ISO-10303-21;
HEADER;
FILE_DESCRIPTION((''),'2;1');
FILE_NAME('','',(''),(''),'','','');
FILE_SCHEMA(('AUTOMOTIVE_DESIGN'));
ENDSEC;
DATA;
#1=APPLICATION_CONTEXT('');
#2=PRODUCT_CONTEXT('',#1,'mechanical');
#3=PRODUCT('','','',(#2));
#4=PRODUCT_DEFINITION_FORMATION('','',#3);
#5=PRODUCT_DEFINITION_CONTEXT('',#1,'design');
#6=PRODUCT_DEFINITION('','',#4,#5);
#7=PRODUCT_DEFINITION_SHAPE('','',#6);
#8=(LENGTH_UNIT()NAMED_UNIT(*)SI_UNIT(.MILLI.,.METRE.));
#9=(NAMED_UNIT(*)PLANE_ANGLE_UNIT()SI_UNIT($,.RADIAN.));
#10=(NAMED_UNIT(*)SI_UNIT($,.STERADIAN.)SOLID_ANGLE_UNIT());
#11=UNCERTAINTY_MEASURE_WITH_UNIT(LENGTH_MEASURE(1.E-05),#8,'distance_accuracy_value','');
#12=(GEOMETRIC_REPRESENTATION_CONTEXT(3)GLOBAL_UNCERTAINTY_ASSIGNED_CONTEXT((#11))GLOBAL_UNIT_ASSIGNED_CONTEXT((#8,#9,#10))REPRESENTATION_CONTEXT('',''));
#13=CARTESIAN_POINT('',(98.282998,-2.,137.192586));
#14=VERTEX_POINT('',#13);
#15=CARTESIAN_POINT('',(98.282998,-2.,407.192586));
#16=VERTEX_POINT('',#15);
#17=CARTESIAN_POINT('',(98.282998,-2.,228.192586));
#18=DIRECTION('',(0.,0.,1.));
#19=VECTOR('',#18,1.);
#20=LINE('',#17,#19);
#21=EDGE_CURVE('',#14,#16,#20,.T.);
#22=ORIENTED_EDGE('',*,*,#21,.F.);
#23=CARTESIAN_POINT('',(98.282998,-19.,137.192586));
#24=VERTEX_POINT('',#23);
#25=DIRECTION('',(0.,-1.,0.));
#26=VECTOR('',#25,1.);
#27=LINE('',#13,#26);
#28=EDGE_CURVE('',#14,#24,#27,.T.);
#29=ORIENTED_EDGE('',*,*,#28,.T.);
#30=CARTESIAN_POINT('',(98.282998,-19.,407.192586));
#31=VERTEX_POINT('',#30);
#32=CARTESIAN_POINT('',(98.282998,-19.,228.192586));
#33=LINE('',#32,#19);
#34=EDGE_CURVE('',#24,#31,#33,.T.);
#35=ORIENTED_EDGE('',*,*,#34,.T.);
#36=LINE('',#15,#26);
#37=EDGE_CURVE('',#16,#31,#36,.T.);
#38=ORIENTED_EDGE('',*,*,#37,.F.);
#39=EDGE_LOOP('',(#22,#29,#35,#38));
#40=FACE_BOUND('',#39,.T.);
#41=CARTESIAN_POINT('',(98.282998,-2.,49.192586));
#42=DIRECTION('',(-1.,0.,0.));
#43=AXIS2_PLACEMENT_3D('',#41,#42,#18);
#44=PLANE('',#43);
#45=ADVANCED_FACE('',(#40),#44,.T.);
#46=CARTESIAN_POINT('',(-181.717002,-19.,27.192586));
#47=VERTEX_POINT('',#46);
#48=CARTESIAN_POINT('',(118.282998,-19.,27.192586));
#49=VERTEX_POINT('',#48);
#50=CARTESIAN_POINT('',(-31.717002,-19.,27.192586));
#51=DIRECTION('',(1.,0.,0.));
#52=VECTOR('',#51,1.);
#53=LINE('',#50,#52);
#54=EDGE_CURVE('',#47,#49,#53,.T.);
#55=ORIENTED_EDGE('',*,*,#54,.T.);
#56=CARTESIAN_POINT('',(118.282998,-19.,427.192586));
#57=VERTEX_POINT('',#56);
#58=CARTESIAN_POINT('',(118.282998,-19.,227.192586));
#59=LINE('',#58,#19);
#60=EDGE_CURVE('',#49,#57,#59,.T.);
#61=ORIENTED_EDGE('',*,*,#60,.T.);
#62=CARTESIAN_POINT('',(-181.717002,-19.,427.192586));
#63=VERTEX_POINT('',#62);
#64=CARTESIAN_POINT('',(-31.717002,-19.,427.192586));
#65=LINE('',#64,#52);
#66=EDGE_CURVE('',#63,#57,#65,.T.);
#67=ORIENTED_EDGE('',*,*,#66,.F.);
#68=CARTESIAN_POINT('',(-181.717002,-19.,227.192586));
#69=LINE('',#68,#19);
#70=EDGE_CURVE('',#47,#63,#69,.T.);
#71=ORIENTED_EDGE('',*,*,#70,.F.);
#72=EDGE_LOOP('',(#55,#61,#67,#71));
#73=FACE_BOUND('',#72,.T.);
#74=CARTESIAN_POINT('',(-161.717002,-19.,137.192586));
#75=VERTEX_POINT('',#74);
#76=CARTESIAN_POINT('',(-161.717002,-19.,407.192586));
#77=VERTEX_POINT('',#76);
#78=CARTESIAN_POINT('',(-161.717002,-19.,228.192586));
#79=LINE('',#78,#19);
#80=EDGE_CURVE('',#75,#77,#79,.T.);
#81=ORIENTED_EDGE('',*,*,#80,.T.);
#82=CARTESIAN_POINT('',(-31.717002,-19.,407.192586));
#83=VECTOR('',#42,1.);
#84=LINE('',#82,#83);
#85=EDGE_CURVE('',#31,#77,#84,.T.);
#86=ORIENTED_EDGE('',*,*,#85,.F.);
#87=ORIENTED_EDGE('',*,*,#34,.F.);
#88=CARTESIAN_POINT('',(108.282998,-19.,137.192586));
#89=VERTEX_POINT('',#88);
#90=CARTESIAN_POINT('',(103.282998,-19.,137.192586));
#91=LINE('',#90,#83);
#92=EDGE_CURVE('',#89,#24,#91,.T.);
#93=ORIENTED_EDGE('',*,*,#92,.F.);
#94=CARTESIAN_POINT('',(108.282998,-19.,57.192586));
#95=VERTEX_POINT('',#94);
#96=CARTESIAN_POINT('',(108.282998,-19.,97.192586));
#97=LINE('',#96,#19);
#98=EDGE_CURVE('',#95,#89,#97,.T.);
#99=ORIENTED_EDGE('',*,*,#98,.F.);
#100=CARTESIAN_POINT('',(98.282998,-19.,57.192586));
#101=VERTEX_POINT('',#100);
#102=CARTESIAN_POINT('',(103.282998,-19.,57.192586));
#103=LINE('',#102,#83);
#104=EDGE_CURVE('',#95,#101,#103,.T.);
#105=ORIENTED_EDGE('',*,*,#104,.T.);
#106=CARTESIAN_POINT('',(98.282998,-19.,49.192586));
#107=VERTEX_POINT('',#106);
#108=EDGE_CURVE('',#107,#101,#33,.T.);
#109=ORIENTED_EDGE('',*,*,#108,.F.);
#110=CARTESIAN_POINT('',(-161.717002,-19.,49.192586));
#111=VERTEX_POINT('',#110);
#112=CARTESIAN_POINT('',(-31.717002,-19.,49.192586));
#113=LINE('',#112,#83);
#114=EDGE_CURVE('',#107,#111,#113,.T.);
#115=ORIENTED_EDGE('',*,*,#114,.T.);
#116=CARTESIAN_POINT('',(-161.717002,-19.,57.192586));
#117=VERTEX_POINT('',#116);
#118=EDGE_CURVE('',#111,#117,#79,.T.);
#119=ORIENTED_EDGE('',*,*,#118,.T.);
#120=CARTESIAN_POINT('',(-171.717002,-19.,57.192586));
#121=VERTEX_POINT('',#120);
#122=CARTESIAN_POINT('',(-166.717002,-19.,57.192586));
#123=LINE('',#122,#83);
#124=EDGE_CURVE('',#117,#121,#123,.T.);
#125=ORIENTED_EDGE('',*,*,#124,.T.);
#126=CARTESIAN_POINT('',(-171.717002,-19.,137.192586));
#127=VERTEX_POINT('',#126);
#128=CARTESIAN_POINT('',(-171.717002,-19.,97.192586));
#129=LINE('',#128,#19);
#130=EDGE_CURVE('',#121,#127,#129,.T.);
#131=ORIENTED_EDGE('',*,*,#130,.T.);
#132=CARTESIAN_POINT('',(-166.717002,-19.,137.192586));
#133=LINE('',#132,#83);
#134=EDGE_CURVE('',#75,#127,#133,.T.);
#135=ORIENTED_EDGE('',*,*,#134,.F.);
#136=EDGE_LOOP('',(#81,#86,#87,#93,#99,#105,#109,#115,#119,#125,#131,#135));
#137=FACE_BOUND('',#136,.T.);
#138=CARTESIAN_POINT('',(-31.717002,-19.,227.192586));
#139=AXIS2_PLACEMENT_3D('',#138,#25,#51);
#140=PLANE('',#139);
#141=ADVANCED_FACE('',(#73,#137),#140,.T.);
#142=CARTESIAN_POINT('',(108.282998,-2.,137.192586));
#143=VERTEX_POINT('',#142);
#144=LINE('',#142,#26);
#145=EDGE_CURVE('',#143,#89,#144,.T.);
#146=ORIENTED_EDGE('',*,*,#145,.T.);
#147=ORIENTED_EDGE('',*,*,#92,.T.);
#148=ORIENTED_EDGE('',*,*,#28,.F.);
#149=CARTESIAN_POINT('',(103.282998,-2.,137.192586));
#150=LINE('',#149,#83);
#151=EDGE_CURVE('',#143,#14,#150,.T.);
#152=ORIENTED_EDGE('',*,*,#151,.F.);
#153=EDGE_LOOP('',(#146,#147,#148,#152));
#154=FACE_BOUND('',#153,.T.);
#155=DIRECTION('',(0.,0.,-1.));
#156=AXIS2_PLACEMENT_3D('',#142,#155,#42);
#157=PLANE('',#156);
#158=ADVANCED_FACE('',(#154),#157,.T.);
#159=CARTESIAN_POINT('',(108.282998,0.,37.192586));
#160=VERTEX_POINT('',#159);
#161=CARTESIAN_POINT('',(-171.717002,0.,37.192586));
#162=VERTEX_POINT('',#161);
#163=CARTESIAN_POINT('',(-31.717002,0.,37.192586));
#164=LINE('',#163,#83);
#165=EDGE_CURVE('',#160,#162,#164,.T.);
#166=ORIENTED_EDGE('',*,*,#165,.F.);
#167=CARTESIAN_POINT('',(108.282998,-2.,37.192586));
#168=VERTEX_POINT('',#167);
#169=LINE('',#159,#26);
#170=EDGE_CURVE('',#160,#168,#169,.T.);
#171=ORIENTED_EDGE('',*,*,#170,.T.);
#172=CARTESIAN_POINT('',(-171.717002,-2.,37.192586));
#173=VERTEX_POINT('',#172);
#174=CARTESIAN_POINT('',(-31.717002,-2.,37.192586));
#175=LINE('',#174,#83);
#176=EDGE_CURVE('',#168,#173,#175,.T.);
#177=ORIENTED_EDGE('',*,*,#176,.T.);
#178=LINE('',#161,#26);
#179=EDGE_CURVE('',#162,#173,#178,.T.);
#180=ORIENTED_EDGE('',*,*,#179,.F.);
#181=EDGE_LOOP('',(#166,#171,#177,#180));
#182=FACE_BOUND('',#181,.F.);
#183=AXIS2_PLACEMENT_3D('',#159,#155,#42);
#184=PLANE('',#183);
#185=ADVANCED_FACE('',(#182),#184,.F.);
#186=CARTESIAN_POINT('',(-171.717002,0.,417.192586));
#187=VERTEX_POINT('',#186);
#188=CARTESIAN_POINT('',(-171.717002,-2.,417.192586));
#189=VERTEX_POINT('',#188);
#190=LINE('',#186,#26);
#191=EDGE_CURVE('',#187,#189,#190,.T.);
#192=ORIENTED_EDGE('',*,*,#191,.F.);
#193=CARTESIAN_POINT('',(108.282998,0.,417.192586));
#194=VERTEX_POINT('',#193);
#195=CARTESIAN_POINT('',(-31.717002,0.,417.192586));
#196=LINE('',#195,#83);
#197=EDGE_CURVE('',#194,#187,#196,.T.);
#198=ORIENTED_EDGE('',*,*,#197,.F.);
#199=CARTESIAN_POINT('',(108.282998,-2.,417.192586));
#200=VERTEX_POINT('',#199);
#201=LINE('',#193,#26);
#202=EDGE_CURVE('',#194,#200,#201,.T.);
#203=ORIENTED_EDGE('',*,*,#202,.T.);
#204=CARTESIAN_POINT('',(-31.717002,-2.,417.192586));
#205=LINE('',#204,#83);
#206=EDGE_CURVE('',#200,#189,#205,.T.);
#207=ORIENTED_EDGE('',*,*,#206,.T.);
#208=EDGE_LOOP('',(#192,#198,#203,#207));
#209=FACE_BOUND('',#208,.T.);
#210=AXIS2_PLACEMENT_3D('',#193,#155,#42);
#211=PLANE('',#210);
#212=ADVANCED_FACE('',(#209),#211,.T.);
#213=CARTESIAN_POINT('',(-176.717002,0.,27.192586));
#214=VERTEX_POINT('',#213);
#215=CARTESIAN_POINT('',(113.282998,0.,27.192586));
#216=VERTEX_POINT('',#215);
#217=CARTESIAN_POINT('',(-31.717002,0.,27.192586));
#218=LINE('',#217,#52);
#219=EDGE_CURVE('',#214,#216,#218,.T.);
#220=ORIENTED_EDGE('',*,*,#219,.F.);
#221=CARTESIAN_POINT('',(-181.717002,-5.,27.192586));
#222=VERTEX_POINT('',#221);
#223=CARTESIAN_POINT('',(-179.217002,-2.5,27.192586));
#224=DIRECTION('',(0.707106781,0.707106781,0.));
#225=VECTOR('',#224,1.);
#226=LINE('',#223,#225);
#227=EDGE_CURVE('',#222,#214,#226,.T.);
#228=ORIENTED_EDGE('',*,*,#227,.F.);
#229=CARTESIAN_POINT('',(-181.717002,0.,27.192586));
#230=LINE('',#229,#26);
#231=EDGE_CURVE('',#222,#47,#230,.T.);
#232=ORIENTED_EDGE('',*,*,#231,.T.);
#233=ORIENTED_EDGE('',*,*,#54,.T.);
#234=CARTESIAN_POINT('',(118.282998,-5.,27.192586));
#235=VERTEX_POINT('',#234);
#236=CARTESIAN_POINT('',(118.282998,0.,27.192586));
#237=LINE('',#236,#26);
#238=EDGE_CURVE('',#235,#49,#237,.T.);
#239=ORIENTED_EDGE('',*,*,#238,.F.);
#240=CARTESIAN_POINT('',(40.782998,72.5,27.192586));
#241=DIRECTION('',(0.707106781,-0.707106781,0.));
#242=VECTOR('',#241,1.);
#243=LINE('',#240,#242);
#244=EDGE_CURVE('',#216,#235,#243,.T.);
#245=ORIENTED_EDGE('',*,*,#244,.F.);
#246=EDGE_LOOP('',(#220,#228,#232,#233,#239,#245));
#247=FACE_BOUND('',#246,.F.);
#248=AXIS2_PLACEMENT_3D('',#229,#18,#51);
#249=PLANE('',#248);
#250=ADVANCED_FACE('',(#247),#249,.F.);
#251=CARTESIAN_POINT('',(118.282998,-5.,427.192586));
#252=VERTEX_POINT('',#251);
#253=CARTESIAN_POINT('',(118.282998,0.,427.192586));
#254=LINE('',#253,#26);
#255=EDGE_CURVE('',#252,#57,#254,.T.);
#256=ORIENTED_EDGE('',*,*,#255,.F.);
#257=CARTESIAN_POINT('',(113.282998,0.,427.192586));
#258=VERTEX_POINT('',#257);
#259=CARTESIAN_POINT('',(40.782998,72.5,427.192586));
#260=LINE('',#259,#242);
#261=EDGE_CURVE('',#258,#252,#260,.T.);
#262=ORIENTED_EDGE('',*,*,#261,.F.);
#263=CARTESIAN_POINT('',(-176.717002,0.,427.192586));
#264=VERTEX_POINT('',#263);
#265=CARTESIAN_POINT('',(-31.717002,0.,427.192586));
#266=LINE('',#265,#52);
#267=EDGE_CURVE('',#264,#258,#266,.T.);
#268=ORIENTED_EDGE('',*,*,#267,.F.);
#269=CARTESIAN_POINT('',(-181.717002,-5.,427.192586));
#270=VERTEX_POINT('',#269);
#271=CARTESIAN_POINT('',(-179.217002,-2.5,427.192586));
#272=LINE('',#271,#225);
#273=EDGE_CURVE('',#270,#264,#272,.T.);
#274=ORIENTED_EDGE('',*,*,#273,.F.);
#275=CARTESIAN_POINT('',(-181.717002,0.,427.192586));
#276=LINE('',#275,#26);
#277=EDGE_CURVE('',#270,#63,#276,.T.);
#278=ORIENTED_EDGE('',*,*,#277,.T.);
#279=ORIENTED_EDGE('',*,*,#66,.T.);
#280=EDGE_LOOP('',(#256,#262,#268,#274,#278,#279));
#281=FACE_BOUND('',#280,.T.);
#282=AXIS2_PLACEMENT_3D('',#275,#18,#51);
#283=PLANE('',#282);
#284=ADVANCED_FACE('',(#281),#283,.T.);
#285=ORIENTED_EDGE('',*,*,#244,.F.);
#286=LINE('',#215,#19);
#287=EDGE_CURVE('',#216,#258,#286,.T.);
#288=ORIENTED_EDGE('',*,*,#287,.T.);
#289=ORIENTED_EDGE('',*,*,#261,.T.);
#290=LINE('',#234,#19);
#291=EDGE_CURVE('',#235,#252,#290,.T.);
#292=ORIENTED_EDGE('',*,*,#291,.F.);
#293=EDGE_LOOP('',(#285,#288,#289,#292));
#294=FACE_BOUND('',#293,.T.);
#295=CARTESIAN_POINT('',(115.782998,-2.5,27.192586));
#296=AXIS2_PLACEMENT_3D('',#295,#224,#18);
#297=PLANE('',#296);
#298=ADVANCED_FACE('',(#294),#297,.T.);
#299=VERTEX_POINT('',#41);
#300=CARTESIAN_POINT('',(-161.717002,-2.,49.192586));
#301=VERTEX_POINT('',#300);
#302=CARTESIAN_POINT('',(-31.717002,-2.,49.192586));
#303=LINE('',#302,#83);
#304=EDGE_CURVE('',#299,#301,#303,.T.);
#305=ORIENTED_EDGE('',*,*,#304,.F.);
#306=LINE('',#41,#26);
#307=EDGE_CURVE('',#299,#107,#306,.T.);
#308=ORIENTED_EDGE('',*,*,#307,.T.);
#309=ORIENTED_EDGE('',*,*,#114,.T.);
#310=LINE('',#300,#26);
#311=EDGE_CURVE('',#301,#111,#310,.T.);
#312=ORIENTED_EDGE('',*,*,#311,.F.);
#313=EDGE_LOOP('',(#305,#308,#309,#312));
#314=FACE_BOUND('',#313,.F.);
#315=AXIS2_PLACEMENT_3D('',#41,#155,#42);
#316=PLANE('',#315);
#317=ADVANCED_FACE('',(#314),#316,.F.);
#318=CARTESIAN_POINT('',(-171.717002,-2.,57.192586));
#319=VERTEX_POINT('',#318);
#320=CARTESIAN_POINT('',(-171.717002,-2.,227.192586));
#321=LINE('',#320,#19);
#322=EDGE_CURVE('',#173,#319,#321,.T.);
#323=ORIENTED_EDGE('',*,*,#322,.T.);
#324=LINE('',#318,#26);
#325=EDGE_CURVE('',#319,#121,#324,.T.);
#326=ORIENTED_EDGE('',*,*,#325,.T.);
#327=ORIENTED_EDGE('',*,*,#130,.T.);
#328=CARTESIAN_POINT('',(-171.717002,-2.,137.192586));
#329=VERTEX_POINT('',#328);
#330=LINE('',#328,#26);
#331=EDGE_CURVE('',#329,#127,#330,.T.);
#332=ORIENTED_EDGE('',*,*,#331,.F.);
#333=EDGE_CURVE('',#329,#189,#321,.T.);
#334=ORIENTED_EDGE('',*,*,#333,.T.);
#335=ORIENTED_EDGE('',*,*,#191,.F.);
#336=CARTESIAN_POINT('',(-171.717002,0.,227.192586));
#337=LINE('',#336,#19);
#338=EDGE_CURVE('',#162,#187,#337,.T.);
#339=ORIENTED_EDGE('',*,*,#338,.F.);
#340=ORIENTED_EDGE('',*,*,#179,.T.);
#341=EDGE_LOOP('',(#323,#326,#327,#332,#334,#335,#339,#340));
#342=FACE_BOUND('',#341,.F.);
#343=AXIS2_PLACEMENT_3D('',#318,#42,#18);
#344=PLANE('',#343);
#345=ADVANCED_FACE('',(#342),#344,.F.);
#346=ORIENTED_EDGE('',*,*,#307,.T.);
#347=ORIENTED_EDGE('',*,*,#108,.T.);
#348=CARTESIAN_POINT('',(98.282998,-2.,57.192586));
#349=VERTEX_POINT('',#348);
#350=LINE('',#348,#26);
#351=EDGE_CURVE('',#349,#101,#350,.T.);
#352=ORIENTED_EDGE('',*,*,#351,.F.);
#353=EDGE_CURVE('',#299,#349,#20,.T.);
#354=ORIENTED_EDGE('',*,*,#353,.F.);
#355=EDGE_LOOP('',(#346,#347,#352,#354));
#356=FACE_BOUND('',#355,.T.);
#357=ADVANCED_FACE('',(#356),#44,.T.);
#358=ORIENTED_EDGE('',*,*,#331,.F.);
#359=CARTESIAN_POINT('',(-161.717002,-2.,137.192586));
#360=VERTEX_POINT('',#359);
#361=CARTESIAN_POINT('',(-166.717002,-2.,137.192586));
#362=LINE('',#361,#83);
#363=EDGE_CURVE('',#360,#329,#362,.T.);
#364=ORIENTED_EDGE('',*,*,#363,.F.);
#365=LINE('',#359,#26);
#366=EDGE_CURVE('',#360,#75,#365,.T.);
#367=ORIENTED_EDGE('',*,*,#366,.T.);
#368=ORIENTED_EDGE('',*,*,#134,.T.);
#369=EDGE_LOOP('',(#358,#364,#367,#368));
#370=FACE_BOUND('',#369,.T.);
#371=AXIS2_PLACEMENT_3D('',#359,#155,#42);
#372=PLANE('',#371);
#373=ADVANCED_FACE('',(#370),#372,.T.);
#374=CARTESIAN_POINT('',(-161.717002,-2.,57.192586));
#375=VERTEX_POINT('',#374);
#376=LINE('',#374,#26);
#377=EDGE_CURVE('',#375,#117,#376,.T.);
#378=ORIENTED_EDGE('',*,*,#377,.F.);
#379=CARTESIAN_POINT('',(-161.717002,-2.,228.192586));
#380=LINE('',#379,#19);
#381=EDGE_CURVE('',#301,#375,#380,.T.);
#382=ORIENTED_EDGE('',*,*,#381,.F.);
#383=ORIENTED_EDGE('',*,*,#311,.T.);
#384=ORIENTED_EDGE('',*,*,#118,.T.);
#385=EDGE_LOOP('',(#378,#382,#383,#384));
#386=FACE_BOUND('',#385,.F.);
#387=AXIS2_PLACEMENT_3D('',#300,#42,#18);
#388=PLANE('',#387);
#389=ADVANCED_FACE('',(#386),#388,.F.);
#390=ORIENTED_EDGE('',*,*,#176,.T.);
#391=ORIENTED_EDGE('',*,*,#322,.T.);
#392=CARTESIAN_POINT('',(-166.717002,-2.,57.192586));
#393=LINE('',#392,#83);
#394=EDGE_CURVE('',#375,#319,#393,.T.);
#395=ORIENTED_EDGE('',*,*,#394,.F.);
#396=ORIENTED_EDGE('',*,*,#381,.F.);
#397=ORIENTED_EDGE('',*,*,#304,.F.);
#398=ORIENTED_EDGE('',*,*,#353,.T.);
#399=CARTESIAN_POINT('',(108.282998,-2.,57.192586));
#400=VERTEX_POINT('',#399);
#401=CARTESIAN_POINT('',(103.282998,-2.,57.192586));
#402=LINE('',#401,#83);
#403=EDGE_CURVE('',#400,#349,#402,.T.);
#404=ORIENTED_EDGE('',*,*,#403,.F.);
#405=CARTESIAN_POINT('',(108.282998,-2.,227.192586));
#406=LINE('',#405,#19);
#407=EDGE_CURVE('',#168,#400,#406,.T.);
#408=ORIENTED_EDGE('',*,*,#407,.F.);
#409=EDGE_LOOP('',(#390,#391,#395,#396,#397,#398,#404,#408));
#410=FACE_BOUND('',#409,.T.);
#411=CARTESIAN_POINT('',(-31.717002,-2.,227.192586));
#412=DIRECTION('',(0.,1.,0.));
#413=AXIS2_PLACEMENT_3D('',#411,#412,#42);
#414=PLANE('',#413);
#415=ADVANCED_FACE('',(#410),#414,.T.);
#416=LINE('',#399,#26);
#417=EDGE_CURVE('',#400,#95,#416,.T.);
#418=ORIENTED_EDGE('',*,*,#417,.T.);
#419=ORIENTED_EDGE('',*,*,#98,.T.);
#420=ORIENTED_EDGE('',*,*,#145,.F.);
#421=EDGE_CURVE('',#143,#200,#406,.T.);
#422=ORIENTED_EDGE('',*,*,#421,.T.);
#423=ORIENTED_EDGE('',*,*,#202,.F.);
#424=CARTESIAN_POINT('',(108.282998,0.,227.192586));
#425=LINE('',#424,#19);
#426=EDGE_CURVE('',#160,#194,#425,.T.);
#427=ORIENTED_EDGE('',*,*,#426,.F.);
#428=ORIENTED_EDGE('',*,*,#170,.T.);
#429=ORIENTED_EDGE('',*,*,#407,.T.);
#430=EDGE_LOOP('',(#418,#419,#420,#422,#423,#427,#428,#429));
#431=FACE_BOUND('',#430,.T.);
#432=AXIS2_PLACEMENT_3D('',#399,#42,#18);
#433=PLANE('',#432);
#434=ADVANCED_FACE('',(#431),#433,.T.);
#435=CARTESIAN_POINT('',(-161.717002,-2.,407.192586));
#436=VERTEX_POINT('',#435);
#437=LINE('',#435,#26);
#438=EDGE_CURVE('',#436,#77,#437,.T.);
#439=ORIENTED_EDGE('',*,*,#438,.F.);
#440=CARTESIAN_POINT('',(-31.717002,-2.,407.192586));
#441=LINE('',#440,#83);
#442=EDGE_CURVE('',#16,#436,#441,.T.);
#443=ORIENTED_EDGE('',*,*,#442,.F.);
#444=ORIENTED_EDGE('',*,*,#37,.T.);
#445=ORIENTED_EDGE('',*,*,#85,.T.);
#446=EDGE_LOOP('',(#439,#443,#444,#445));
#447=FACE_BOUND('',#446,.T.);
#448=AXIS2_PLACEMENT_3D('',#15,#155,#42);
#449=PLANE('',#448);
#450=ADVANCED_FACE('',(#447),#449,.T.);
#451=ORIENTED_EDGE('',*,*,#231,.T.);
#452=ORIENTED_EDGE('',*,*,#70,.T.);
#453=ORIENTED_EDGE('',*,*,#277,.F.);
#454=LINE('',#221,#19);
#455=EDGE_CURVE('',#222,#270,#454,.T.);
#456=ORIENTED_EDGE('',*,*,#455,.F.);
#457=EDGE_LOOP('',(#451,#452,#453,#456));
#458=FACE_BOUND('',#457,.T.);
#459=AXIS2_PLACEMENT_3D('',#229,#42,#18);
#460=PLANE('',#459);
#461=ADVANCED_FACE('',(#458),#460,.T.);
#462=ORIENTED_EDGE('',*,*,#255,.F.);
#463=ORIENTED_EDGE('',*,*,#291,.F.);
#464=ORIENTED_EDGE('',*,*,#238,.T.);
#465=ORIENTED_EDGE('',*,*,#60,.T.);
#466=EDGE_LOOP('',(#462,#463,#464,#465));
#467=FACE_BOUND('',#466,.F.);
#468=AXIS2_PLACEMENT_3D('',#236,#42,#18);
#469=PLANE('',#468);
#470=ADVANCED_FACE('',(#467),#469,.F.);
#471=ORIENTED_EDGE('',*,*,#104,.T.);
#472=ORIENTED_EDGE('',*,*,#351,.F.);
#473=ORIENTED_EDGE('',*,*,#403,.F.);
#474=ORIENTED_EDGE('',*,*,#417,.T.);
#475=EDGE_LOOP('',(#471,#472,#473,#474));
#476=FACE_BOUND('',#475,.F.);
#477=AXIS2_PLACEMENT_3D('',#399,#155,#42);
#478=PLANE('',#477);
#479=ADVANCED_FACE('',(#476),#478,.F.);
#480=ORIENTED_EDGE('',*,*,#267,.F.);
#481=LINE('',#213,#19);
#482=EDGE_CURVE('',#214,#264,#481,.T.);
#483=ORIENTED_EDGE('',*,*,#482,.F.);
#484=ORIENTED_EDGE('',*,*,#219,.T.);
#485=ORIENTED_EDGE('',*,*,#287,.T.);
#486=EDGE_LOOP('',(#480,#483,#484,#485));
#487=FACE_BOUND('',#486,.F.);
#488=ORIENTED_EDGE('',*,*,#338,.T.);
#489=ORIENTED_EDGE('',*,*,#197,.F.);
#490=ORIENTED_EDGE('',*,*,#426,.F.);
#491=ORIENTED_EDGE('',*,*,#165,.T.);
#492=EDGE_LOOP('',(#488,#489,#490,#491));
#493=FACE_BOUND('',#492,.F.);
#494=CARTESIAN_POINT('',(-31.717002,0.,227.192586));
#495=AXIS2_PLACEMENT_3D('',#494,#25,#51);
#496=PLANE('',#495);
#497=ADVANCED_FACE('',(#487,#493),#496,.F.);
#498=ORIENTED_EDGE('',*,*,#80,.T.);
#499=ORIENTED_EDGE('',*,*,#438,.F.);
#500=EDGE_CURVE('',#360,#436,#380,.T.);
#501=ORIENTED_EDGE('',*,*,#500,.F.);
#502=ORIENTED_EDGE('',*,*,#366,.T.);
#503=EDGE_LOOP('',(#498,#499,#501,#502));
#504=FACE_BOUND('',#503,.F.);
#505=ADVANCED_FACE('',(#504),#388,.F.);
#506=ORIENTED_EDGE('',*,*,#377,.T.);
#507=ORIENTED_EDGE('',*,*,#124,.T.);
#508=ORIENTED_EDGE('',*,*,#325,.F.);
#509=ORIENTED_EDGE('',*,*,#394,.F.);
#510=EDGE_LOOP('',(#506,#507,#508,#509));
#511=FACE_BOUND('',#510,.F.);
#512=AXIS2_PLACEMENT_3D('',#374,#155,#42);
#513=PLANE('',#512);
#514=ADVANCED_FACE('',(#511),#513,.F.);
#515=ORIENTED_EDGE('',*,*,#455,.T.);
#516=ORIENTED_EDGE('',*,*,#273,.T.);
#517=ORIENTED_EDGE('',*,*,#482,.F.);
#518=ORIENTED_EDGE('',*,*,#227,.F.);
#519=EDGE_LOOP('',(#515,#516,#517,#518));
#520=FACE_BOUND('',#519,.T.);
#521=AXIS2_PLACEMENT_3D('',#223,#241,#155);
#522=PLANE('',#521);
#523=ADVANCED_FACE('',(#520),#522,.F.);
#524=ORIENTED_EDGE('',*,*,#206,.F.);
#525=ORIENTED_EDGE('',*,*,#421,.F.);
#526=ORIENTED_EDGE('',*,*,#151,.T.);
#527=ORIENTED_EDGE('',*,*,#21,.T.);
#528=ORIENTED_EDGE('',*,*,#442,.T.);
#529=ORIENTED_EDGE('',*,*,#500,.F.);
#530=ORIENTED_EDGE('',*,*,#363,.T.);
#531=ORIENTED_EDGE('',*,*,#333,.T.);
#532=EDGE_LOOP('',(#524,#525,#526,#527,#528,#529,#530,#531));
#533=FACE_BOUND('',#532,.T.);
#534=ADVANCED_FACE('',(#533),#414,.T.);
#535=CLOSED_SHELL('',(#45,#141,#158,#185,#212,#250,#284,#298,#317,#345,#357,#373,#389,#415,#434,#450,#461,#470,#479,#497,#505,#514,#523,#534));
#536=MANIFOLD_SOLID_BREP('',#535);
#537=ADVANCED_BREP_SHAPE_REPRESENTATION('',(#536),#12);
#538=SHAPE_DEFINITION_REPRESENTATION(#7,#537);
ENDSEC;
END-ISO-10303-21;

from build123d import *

# Parameters (mm, degrees)
F0_W      = 300
F0_H      = 400
F1_DEPTH  = 19
F2_W      = 280
F2_H      = 380
F3_DEPTH  = 2
F4_W      = 260
F4_H      = 358
F5_DEPTH  = 17
F6_SIZE   = 5
F7_W      = 10
F7_H      = 80
F8_DEPTH  = 17
F9_W      = 10
F9_H      = 80
F10_DEPTH = 17


with BuildPart() as f1:
    # F0 (on Front) → F1 (new body)
    with BuildSketch(Plane.XZ):
        with Locations((-31.717002, 227.192586)):
            Rectangle(F0_W, F0_H)
    extrude(amount=F1_DEPTH)

    # F2 (on face) → F3 (cut)
    with BuildSketch(Plane(origin=(0, 0, 0), x_dir=(-1, 0, 0), z_dir=(0, 1, 0))):
        with Locations((31.717002, 227.192586)):
            Rectangle(F2_W, F2_H)
    extrude(amount=-F3_DEPTH, mode=Mode.SUBTRACT)

    # F4 (on face) → F5 (cut)
    with BuildSketch(Plane(origin=(0, -2, 0), x_dir=(-1, 0, 0), z_dir=(0, 1, 0))):
        with Locations((31.717002, 228.192586)):
            Rectangle(F4_W, F4_H)
    extrude(amount=-F5_DEPTH, mode=Mode.SUBTRACT)

    # F6
    f6_edges = [f1.edges().sort_by_distance(p)[0] for p in [
        (118.282998, 0, 227.192586),
        (-181.717002, 0, 227.192586),
    ]]
    chamfer(f6_edges, length=F6_SIZE)

    # F7 (on face) → F8 (cut)
    with BuildSketch(Plane(origin=(0, -2, 0), x_dir=(-1, 0, 0), z_dir=(0, 1, 0))):
        with Locations((-103.282998, 97.192586)):
            Rectangle(F7_W, F7_H)
    extrude(amount=-F8_DEPTH, mode=Mode.SUBTRACT)

    # F9 (on face) → F10 (cut)
    with BuildSketch(Plane(origin=(0, -2, 0), x_dir=(-1, 0, 0), z_dir=(0, 1, 0))):
        with Locations((166.717002, 97.192586)):
            Rectangle(F9_W, F9_H)
    extrude(amount=-F10_DEPTH, mode=Mode.SUBTRACT)


solid = f1.part
